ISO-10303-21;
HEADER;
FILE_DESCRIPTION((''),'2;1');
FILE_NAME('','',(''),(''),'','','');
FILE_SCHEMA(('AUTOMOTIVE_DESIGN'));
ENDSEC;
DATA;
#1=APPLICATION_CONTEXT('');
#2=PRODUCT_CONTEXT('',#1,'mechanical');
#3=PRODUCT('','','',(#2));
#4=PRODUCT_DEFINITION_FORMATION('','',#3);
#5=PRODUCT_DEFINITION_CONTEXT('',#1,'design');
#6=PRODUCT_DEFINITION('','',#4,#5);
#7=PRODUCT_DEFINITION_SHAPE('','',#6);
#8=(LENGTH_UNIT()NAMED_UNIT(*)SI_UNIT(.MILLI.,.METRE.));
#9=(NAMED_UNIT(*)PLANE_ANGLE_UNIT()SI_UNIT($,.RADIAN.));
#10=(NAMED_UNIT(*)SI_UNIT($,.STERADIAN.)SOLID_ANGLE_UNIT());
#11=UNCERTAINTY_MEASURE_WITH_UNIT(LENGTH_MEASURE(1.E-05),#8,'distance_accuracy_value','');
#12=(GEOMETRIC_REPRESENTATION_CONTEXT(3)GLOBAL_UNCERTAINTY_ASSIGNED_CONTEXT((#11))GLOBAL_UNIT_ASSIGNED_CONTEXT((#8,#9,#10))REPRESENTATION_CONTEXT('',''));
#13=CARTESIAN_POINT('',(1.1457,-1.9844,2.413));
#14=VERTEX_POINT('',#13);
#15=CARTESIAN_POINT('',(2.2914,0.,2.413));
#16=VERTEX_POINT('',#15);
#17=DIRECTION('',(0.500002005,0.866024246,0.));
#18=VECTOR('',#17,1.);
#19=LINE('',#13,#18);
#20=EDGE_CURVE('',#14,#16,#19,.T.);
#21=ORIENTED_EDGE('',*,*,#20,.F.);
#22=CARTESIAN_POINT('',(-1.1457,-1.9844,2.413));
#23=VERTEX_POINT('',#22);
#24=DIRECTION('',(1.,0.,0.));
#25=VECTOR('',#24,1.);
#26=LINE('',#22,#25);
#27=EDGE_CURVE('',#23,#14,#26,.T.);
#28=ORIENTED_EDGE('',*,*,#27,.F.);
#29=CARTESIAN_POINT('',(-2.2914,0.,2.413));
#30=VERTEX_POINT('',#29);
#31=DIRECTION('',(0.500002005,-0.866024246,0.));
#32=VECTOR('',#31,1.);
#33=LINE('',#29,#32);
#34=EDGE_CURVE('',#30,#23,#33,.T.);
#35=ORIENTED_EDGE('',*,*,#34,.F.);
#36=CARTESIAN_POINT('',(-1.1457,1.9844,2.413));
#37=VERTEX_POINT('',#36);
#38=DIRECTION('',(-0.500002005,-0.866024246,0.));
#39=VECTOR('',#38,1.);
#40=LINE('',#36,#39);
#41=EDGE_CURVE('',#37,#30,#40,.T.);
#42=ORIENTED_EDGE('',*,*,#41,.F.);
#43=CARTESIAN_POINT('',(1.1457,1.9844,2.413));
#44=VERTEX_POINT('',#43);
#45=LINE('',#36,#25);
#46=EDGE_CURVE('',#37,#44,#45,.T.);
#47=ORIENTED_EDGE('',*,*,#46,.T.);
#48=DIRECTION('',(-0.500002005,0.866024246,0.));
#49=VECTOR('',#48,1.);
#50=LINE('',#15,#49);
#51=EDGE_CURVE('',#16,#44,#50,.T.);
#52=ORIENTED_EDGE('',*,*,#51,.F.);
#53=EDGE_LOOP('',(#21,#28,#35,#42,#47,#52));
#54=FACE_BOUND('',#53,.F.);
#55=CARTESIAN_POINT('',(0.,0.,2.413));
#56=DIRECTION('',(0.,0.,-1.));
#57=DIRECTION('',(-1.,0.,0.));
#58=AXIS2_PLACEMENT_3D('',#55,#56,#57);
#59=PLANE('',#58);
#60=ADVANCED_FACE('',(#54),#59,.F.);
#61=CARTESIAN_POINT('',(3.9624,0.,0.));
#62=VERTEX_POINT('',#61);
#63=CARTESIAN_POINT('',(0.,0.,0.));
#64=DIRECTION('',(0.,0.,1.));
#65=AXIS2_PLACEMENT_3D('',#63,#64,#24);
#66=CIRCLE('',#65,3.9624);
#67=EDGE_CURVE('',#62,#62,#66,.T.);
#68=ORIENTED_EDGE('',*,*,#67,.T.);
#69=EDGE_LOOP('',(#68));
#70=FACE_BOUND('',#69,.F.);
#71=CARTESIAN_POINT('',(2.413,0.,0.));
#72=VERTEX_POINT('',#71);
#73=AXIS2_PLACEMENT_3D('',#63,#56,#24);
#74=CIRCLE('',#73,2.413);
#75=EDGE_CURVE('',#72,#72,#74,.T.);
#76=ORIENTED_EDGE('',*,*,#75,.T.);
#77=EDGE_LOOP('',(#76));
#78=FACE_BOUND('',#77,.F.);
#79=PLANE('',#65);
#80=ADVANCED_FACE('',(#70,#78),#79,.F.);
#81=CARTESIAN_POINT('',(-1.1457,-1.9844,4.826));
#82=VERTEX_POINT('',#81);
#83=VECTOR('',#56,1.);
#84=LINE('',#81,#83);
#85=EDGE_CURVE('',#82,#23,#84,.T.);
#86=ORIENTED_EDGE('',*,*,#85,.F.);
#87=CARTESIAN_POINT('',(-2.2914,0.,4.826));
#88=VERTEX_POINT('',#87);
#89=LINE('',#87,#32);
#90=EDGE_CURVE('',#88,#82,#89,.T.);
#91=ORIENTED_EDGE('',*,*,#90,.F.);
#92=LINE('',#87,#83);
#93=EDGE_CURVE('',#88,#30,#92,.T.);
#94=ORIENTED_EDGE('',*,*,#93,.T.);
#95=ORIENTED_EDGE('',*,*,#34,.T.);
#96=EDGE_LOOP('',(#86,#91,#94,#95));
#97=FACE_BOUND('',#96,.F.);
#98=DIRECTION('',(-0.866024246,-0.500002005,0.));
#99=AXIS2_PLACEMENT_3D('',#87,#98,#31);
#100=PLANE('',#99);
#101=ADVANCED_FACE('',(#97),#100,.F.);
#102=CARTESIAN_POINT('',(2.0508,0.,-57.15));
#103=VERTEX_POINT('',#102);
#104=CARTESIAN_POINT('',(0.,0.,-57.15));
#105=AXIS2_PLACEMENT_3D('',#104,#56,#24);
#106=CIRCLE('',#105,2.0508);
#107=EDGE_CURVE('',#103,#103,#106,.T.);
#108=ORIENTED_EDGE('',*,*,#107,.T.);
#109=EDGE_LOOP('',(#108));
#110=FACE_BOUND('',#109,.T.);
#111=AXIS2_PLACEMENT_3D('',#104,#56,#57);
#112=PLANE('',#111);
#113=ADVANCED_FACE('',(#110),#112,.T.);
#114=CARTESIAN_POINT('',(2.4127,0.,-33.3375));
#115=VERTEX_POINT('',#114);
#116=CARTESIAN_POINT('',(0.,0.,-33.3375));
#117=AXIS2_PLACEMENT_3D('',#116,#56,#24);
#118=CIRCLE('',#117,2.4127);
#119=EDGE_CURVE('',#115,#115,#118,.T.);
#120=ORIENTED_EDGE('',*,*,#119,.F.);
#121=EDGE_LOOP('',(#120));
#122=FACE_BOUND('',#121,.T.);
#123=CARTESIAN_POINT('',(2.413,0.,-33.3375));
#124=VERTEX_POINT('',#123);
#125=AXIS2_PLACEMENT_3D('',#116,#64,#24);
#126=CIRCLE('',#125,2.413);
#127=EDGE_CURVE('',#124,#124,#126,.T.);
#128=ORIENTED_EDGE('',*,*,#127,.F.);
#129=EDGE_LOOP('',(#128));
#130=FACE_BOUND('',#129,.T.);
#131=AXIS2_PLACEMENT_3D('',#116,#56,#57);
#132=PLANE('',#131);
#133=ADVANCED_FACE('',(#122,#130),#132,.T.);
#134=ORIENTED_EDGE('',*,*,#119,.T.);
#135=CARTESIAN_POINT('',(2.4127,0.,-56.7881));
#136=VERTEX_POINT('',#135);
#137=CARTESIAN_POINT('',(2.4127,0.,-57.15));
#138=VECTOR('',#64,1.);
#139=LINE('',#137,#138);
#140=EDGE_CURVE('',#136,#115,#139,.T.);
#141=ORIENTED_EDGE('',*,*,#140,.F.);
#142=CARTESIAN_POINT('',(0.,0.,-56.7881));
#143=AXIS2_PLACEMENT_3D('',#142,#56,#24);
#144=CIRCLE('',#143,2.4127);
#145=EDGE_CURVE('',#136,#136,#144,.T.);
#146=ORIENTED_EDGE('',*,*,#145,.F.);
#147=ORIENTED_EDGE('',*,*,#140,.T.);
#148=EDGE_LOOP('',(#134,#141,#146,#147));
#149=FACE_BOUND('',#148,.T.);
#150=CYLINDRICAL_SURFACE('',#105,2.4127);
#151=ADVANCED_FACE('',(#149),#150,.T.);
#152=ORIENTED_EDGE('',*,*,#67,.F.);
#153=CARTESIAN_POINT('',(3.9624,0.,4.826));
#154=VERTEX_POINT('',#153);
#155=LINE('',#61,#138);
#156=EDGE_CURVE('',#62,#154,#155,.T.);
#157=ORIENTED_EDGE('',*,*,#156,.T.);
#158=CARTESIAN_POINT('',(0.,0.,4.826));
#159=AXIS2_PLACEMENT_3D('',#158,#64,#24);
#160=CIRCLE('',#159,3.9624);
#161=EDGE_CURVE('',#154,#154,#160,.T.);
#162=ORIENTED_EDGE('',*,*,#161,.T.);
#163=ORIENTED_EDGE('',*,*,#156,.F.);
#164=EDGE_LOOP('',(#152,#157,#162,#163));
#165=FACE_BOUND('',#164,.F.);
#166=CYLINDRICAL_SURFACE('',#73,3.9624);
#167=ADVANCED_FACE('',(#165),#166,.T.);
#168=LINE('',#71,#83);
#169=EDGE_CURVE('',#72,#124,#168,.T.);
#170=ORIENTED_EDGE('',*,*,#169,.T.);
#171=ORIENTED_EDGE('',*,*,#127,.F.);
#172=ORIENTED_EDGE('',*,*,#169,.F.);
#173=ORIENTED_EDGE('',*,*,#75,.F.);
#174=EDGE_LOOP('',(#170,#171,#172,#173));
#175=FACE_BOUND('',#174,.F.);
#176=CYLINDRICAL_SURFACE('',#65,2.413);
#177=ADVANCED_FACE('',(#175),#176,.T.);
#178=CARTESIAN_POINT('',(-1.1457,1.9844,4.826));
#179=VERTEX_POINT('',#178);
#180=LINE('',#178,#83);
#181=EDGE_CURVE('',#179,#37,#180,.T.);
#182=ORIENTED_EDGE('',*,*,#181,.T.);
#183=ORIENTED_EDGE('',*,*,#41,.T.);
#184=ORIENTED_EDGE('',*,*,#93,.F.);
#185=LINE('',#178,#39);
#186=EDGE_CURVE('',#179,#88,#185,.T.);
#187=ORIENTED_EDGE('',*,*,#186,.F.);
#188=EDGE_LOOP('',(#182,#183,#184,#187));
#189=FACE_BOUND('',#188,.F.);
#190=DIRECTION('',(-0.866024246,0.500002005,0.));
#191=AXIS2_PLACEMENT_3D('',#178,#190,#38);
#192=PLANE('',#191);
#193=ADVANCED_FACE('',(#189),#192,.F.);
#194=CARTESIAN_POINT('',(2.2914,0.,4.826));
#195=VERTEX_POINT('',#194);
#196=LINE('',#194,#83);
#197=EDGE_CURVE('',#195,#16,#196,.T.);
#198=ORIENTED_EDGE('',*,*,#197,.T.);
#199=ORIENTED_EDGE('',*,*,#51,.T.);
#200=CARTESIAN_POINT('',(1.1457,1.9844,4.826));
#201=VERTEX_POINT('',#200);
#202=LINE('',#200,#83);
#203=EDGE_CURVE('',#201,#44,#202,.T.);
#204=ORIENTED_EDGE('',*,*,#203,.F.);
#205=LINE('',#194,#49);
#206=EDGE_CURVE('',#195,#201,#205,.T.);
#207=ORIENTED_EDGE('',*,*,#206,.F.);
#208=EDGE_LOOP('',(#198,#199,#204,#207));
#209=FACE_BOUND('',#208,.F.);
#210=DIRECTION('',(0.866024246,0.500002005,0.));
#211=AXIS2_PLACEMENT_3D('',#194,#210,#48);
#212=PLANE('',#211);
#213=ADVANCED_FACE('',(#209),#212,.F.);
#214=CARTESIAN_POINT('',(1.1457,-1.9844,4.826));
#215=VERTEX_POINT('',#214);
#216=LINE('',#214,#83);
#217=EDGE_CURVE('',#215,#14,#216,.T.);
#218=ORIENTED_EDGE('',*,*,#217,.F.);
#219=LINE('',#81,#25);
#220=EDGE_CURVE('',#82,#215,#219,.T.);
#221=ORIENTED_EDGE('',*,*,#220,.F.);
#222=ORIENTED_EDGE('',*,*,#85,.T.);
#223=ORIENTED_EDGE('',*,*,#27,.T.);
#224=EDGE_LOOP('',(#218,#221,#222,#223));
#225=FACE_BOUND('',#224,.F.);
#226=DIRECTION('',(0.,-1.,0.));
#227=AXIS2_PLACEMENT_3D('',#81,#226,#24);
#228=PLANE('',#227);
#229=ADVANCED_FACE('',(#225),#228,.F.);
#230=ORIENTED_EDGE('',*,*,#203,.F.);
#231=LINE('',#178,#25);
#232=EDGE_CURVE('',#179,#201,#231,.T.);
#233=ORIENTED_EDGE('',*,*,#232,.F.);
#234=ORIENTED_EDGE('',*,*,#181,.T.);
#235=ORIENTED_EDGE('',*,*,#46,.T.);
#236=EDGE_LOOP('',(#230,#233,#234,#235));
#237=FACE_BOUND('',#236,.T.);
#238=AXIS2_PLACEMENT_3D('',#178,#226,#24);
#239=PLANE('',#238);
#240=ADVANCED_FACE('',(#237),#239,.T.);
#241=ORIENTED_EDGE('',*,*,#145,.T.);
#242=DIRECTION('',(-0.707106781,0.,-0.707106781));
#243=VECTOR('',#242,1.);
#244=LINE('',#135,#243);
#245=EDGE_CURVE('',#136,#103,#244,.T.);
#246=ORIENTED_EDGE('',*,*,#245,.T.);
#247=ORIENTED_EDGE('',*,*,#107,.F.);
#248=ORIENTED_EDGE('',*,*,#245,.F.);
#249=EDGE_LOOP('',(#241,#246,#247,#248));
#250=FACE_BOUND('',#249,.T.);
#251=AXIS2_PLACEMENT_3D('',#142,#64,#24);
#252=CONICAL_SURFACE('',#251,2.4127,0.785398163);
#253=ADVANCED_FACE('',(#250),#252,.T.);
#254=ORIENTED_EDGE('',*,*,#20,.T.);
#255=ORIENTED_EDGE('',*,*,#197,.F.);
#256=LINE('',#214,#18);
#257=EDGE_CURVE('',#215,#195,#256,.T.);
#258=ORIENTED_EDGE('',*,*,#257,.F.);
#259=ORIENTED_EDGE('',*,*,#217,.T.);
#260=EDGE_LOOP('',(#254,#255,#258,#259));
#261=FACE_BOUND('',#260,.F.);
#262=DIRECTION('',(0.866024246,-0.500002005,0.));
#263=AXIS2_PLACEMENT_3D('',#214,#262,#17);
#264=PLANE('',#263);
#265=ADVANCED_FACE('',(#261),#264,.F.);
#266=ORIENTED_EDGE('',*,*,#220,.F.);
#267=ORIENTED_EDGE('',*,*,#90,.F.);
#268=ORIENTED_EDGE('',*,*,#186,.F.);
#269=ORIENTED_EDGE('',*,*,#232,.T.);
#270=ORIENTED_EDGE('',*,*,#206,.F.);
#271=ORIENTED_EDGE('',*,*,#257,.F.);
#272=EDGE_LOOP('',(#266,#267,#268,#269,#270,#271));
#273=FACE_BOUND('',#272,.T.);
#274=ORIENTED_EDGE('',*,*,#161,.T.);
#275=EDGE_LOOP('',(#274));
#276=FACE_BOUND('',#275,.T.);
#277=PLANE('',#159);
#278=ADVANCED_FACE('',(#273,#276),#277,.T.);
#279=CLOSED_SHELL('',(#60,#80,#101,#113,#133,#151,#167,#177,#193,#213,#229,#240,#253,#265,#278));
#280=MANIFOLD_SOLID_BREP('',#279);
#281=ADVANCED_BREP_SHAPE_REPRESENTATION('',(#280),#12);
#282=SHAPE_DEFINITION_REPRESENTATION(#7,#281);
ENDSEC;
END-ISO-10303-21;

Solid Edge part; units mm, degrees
sketch "Sketch1" plane through (0, 0, 0) normal (0, 0, 1) x (1, 0, 0)
  circle A0 centre (0, 0) radius 3.9624
  dimension "D1" = 7.9248
extrude "Protrusion1" add sketch "Sketch1" along normal blind 4.826
sketch "Sketch2" plane through (0, 0, 0) normal (0, 0, -1) x (1, 0, 0)
  circle A0 centre (0, 0) radius 2.413
extrude "Protrusion2" add sketch "Sketch2" along normal blind 57.15
sketch "Sketch3" plane through (0, 0, -57.15) normal (0, 0, -1) x (1, 0, 0)
  circle A0 centre (0, 0) radius 2.4127
extrude "Cutout1" cut sketch "Sketch3" against normal blind 23.8125 flip side to cut
chamfer "Chamfer_1" distance 0.3619 angle 45 1 edges at (-2.4127, 0, -57.15)
sketch "Sketch4" plane through (0, 0, 4.826) normal (0, 0, 1) x (1, 0, 0)
  line L0 (-1.1457, 1.9844) -> (1.1457, 1.9844)
  line L1 (2.2914, 0) -> (1.1457, 1.9844)
  line L2 (1.1457, -1.9844) -> (2.2914, 0)
  line L3 (-1.1457, -1.9844) -> (1.1457, -1.9844)
  line L4 (-2.2914, 0) -> (-1.1457, -1.9844)
  line L5 (-1.1457, 1.9844) -> (-2.2914, 0)
  dimension "D1" = 3.9688
extrude "Cutout2" cut sketch "Sketch4" against normal blind 2.413
properties part number "118184"
